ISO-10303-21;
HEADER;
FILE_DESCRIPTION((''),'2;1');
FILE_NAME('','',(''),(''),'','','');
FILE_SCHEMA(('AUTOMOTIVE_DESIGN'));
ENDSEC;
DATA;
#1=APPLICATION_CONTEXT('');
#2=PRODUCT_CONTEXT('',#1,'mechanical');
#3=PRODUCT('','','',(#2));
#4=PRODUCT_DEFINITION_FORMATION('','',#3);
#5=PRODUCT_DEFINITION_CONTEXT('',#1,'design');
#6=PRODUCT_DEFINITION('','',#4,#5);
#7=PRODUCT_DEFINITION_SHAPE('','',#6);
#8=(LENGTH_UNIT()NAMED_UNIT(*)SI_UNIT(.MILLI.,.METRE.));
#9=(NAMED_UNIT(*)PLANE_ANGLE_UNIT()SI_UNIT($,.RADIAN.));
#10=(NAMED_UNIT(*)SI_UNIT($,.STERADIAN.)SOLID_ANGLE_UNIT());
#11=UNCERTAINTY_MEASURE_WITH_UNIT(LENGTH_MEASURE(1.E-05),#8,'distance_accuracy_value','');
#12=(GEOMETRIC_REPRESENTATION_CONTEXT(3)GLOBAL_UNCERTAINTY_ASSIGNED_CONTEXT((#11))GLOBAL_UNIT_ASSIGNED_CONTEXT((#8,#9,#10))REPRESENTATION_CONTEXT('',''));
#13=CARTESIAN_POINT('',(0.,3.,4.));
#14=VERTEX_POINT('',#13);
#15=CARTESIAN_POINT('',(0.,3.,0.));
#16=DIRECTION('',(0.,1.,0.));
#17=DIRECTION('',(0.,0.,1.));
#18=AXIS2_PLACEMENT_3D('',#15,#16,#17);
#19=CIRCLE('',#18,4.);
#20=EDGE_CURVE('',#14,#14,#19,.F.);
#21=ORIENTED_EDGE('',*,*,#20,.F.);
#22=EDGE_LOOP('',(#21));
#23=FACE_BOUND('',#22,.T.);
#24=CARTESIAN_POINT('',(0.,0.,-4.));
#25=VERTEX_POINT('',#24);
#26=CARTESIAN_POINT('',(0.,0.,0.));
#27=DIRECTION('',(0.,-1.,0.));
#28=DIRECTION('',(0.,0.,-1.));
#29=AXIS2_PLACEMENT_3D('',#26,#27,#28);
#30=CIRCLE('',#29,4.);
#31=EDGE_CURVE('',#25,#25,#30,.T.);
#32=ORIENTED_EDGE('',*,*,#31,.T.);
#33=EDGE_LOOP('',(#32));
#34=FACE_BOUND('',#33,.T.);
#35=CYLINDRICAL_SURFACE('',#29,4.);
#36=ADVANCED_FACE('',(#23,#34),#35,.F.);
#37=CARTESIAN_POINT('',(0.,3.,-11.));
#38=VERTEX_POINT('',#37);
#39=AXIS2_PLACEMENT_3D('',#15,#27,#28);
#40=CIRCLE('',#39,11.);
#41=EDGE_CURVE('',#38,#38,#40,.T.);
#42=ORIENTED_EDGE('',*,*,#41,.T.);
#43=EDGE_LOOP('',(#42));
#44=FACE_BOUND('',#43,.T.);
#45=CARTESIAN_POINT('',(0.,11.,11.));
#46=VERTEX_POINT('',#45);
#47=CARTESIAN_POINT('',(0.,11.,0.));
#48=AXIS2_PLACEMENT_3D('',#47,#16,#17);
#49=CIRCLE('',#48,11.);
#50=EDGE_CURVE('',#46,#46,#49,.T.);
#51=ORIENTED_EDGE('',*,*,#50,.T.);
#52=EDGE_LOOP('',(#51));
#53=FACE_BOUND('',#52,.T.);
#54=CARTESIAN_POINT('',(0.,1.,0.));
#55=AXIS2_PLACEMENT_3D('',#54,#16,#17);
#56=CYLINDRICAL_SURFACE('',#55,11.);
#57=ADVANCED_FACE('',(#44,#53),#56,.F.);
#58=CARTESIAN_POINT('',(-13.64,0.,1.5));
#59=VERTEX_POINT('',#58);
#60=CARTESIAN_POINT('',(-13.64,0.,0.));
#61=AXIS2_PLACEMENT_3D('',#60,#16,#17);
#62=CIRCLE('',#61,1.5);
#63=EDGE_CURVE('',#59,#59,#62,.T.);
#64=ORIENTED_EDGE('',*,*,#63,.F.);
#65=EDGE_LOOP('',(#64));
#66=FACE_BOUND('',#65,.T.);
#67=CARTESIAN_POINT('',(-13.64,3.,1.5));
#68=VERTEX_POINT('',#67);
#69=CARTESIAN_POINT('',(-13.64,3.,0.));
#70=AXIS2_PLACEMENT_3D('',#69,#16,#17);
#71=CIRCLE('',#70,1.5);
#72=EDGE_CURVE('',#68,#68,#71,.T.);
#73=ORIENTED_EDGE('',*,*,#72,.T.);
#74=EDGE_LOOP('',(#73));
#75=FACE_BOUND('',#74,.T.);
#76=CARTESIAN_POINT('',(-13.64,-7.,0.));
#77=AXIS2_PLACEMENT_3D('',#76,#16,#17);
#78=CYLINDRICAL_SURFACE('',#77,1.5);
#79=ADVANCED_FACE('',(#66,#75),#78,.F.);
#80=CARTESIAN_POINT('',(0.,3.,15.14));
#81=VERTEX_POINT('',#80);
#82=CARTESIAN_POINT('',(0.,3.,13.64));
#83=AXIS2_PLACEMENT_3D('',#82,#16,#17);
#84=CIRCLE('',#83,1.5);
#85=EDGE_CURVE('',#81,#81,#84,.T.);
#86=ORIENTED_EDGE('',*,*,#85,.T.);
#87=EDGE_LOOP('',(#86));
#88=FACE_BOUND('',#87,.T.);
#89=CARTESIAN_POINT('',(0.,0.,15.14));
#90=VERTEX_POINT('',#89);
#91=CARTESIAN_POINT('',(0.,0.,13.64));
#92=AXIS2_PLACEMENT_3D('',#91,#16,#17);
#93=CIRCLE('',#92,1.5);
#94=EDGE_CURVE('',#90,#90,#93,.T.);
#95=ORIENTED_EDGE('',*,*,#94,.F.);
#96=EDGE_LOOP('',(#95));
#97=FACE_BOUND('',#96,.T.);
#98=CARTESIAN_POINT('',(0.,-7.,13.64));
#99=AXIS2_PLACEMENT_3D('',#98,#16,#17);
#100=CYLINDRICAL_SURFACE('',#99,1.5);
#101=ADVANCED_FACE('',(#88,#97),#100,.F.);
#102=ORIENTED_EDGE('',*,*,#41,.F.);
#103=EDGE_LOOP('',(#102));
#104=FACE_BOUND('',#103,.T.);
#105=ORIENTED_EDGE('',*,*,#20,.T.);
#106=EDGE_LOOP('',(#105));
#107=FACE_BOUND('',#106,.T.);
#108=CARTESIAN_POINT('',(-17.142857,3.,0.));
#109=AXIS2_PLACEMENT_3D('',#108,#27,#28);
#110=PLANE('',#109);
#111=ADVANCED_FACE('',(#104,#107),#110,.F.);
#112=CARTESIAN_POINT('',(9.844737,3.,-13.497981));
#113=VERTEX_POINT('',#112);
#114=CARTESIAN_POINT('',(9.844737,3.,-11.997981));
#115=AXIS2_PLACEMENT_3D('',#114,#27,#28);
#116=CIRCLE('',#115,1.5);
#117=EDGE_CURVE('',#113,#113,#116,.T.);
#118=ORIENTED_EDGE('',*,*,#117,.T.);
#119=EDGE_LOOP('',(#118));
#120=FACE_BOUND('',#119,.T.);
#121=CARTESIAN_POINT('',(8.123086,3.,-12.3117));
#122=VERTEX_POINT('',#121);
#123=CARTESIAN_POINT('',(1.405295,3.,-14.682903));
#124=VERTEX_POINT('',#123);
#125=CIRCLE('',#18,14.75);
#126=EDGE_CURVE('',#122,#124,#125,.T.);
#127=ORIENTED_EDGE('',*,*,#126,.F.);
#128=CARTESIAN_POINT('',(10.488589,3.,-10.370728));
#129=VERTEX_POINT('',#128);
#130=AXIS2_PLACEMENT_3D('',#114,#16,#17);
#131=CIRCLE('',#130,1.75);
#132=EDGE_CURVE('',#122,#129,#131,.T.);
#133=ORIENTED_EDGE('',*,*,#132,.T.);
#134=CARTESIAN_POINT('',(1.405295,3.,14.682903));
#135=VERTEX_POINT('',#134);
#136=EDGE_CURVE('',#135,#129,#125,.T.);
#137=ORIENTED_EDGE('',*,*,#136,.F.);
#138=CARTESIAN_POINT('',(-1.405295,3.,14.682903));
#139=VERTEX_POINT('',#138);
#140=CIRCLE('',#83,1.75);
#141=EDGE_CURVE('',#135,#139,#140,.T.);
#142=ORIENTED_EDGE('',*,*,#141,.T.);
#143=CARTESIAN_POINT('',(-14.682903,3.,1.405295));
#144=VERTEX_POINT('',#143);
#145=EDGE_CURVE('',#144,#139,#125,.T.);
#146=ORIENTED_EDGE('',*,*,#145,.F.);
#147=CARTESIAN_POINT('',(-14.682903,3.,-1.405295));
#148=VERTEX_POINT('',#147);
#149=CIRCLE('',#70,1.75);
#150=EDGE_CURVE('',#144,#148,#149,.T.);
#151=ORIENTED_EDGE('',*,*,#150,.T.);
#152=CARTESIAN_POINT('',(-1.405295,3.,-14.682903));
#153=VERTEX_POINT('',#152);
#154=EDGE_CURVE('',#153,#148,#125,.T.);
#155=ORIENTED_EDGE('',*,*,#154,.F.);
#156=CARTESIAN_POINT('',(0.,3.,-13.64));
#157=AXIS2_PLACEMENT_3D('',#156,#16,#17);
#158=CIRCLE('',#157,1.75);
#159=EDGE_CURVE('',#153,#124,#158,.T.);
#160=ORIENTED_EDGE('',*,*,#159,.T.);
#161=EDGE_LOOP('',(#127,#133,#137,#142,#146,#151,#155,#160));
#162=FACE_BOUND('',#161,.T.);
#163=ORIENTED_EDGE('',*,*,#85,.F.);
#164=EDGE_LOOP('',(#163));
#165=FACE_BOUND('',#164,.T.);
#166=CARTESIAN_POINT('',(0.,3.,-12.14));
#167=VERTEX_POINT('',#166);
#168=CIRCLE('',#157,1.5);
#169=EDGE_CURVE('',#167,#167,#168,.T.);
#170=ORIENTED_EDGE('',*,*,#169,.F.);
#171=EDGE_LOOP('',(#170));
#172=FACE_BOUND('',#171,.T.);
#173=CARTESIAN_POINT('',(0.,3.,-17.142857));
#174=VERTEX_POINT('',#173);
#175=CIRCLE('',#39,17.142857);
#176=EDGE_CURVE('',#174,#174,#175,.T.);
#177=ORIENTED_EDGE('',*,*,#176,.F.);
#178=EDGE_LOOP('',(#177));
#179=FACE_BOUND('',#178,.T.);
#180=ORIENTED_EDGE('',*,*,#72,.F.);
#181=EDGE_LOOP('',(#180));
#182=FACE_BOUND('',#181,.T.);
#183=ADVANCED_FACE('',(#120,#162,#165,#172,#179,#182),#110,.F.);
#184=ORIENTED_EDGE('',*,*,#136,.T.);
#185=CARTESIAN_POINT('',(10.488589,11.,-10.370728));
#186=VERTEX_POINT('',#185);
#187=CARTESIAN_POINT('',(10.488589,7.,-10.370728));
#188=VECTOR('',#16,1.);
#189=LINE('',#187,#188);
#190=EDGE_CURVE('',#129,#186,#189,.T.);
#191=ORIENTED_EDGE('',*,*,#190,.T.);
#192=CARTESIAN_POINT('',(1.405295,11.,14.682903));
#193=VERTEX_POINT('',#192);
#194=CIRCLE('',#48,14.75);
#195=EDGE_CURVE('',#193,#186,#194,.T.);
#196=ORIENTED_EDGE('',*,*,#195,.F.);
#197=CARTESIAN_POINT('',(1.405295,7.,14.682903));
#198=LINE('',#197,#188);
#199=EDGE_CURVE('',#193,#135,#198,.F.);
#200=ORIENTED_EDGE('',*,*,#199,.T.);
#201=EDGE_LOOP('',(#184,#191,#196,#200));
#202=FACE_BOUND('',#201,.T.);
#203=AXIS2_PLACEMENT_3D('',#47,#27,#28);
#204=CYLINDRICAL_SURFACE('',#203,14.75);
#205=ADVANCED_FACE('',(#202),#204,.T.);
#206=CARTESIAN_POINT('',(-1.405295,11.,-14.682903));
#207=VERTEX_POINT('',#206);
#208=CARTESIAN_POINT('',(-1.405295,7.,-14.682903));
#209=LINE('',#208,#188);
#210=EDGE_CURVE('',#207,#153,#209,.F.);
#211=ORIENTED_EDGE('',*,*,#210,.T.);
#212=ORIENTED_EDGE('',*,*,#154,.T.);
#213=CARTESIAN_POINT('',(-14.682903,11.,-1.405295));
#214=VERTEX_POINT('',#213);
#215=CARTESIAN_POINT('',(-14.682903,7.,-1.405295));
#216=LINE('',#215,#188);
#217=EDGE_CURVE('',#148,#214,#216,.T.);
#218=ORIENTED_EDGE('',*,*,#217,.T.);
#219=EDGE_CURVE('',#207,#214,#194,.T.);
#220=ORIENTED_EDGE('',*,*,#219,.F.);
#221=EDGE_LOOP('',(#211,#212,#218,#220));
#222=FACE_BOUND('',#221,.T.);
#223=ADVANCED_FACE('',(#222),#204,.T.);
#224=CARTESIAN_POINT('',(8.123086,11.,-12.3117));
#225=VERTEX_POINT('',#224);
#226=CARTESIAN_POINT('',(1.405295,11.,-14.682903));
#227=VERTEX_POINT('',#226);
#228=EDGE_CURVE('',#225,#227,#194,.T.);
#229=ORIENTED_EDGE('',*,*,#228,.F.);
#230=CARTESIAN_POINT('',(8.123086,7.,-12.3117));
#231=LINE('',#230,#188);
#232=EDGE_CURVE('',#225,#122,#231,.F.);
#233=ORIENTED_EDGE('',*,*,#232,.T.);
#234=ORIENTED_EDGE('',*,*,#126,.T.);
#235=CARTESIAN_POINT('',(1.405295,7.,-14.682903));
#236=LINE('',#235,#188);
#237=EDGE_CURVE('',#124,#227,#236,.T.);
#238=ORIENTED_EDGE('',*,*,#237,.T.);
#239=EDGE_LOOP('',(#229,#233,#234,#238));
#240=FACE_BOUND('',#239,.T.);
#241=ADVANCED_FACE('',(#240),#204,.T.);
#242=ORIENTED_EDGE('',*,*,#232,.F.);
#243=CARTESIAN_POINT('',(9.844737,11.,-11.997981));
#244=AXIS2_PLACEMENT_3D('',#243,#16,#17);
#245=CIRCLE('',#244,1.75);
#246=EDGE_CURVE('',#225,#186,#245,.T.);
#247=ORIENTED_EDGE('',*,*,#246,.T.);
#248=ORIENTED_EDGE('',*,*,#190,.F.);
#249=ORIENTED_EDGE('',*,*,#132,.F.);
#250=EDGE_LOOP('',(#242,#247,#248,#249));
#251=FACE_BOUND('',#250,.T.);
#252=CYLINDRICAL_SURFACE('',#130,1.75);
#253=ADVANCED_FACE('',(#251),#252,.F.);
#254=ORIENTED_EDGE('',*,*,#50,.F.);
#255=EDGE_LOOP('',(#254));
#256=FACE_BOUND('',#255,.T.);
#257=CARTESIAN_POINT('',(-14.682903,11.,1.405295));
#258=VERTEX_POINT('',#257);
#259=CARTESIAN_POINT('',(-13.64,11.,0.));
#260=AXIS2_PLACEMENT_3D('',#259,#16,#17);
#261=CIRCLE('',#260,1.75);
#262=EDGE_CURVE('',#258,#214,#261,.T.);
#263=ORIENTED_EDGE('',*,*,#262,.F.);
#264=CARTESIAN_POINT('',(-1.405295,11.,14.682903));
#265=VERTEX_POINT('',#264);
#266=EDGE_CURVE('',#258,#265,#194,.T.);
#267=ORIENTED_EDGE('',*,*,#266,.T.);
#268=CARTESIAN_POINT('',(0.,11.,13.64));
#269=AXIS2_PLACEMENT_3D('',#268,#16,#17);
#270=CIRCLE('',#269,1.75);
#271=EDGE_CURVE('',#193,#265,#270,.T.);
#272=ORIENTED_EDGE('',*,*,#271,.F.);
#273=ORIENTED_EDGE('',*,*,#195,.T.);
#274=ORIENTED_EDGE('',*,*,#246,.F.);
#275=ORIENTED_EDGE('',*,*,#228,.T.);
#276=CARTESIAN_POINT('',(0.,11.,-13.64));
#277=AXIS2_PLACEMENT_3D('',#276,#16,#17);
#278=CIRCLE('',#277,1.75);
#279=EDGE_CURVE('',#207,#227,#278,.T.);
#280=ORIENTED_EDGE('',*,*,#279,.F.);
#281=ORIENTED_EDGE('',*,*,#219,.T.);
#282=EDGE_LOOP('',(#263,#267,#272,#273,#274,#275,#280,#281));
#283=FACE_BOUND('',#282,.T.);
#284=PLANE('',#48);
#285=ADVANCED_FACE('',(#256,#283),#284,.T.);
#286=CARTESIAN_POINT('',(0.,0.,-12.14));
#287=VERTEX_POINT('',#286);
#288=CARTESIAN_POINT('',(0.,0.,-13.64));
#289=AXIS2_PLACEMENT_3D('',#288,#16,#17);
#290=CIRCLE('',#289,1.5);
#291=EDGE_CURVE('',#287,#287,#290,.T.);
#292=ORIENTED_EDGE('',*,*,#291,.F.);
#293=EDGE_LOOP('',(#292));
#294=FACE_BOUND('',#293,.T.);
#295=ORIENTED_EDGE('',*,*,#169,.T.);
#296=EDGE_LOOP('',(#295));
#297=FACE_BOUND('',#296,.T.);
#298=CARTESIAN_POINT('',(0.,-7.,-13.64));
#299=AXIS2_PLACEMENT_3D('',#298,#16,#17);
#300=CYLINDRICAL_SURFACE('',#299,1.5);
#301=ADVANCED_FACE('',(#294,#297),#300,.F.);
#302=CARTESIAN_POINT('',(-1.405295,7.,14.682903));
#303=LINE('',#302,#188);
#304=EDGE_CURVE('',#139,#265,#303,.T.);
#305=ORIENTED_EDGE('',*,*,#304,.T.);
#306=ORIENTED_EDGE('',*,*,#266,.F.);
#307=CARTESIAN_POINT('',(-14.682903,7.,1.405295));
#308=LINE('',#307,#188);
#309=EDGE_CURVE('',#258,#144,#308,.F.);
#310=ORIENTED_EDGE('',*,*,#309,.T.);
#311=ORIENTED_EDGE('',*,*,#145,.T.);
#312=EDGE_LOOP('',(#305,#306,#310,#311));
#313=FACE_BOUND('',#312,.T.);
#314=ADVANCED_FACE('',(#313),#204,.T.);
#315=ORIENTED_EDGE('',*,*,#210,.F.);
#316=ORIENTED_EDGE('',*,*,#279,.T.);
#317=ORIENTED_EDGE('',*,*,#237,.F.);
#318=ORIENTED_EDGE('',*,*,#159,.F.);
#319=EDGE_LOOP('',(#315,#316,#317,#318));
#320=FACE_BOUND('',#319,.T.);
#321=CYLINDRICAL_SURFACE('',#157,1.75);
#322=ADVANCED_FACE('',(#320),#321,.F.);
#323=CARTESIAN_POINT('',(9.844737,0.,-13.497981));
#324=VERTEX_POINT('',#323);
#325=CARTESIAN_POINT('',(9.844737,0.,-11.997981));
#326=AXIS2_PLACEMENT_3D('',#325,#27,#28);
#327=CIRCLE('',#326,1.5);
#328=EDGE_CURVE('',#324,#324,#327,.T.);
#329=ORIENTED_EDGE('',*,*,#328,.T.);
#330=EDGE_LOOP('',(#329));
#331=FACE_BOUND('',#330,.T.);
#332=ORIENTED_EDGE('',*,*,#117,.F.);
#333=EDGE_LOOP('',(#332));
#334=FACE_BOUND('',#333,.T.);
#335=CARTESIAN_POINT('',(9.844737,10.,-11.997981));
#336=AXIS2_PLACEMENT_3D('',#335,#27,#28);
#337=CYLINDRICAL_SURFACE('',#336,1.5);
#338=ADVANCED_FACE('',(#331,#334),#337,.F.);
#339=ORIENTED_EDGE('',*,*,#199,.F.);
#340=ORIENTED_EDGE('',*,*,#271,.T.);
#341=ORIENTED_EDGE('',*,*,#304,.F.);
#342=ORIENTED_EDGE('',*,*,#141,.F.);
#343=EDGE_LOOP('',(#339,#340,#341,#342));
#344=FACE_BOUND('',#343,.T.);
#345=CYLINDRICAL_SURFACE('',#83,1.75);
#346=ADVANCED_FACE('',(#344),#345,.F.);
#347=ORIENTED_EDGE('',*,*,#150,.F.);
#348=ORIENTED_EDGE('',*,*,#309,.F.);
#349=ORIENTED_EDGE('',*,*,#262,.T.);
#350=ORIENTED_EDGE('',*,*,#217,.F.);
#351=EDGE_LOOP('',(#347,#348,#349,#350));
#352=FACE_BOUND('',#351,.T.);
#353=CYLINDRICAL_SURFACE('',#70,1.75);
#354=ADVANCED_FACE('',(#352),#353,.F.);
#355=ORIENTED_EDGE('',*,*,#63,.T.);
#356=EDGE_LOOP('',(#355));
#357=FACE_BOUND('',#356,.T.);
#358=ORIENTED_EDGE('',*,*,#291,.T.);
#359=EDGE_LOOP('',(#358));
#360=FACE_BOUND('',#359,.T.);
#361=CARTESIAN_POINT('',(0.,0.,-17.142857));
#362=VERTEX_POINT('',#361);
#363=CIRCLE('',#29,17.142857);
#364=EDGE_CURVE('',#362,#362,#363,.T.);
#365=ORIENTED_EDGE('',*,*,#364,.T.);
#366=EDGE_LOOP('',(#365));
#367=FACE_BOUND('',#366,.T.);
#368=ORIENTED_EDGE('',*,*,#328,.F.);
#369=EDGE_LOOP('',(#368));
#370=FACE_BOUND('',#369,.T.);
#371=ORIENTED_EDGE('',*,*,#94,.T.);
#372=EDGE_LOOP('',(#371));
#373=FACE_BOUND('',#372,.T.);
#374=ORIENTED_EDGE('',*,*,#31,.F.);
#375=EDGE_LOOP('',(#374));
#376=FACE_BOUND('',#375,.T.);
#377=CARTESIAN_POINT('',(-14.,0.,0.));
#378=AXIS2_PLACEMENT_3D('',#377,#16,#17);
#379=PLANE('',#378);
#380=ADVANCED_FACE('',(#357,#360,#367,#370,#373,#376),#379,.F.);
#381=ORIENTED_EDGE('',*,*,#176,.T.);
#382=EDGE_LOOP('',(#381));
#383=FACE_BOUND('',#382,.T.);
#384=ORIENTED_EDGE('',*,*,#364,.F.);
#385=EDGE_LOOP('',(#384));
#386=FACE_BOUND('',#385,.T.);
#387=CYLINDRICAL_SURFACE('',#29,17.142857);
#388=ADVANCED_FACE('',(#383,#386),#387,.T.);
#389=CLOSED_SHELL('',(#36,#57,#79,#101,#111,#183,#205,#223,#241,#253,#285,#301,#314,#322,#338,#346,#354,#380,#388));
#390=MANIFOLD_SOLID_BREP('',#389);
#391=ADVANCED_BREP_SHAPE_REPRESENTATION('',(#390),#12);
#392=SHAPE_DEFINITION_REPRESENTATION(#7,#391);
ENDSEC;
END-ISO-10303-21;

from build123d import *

# Parameters (mm, degrees)
CROQUIS2_R                   = 1.5
CORTAR_EXTRUIR1_DEPTH        = 10
CROQUIS3_R                   = 1.5
SALIENTE_EXTRUIR1_DEPTH      = 3
CROQUIS4_R                   = 1.5
CORTAR_EXTRUIR2_DEPTH        = 10
SALIENTE_EXTRUIR2_DEPTH      = 4
SALIENTE_EXTRUIR2_DEPTH_BACK = 4
CROQUIS5_R                   = 14.75
CROQUIS5_R_2                 = 11.75
CORTAR_EXTRUIR3_START        = -12
CROQUIS6_R                   = 1.5
CORTAR_EXTRUIR3_DEPTH        = 12
CROQUIS8_R                   = 10.142857143
CORTAR_EXTRUIR4_DEPTH        = 9
CROQUIS9_R                   = 1.75
CORTAR_EXTRUIR6_DEPTH        = 8
CROQUIS10_R                  = 11.75
CROQUIS10_R_2                = 11.125
SALIENTE_EXTRUIR3_DEPTH      = 10
CROQUIS11_R                  = 11.125
CROQUIS11_R_2                = 11
SALIENTE_EXTRUIR4_DEPTH      = 10


with BuildPart() as part:
    # Croquis1 → Revolución1 (revolve)
    with BuildSketch(Plane.XY, mode=Mode.PRIVATE) as revoluci_n1_sk:
        Polygon((-4, 0), (-4, 7), (-5, 7), (-10.142857143, 3), (-17.142857143, 3), (-17.142857143, 0), (-14, 0), align=None)
    revolve(revoluci_n1_sk.sketch.rotate(Axis((0, 0, 0), (0, 1, 0)), 270), axis=Axis((0, 0, 0), (0, 1, 0)))

    # Croquis2 → Cortar-Extruir1 (cut)
    with BuildSketch(Plane(origin=(0, 3, 0), x_dir=(1, 0, 0), z_dir=(0, 1, 0))):
        with Locations(Location((0, 13.64, 0), (0, 0, 270))):
            Circle(CROQUIS2_R)
        with Locations(Location((13.64, 0, 0), (0, 0, 270))):
            Circle(CROQUIS2_R)
        with Locations(Location((0, -13.64, 0), (0, 0, 270))):
            Circle(CROQUIS2_R)
        with Locations(Location((-13.64, 0, 0), (0, 0, 270))):
            Circle(CROQUIS2_R)
    extrude(amount=-CORTAR_EXTRUIR1_DEPTH, mode=Mode.SUBTRACT)

    # Croquis3 → Saliente-Extruir1 (add)
    with BuildSketch(Plane(origin=(0, 3, 0), x_dir=(1, 0, 0), z_dir=(0, 1, 0))):
        with Locations((13.64, 0)):
            Circle(CROQUIS3_R)
    extrude(amount=-SALIENTE_EXTRUIR1_DEPTH)

    # Croquis4 → Cortar-Extruir2 (cut)
    with BuildSketch(Plane(origin=(0, 0, 0), x_dir=(-1, 0, 0), z_dir=(0, -1, 0))):
        with Locations(Location((-9.844736786, 11.997981397, 0), (0, 0, 90))):
            Circle(CROQUIS4_R)
    extrude(amount=-CORTAR_EXTRUIR2_DEPTH, mode=Mode.SUBTRACT)

    # Croquis5 → Saliente-Extruir2 (add, two sides: drawn at the far end of the back side and taken through both)
    with BuildSketch(Plane(origin=(0, 7, 0), x_dir=(1, 0, 0), z_dir=(0, 1, 0)).offset(-SALIENTE_EXTRUIR2_DEPTH_BACK)):
        with Locations(Location((0, 0, 0), (0, 0, 85.923723928))):
            Circle(CROQUIS5_R)
        with Locations(Location((0, 0, 0), (0, 0, 270))):
            Circle(CROQUIS5_R_2, mode=Mode.SUBTRACT)
    extrude(amount=SALIENTE_EXTRUIR2_DEPTH + SALIENTE_EXTRUIR2_DEPTH_BACK)

    # Croquis6 → Cortar-Extruir3 (cut)
    with BuildSketch(Plane(origin=(0, 0, 0), x_dir=(-1, 0, 0), z_dir=(0, -1, 0)).offset(CORTAR_EXTRUIR3_START)):
        with Locations(Location((13.64, 0, 0), (0, 0, 270))):
            Circle(CROQUIS6_R)
        with Locations(Location((0, -13.64, 0), (0, 0, 270))):
            Circle(CROQUIS6_R)
        with Locations(Location((-9.844736786, 11.997981397, 0), (0, 0, 90))):
            Circle(CROQUIS6_R)
        with Locations(Location((0, 13.64, 0), (0, 0, 270))):
            Circle(CROQUIS6_R)
    extrude(amount=CORTAR_EXTRUIR3_DEPTH, mode=Mode.SUBTRACT)

    # Croquis8 → Cortar-Extruir4 (cut)
    with BuildSketch(Plane(origin=(0, 3, 0), x_dir=(1, 0, 0), z_dir=(0, 1, 0))):
        Circle(CROQUIS8_R)
    extrude(amount=CORTAR_EXTRUIR4_DEPTH, mode=Mode.SUBTRACT)

    # Croquis9 → Cortar-Extruir6 (cut)
    with BuildSketch(Plane(origin=(0, 11, 0), x_dir=(1, 0, 0), z_dir=(0, 1, 0))):
        with Locations((9.844736786, 11.997981397)):
            Circle(CROQUIS9_R)
        with Locations((0, 13.64)):
            Circle(CROQUIS9_R)
        with Locations((-13.64, 0)):
            Circle(CROQUIS9_R)
        with Locations((0, -13.64)):
            Circle(CROQUIS9_R)
    extrude(amount=-CORTAR_EXTRUIR6_DEPTH, mode=Mode.SUBTRACT)

    # Croquis10 → Saliente-Extruir3 (add)
    with BuildSketch(Plane(origin=(0, 11, 0), x_dir=(1, 0, 0), z_dir=(0, 1, 0))):
        Circle(CROQUIS10_R)
        with Locations(Location((0, 0, 0), (0, 0, 270))):
            Circle(CROQUIS10_R_2, mode=Mode.SUBTRACT)
    extrude(amount=-SALIENTE_EXTRUIR3_DEPTH)

    # Croquis11 → Saliente-Extruir4 (add)
    with BuildSketch(Plane(origin=(0, 11, 0), x_dir=(1, 0, 0), z_dir=(0, 1, 0))):
        Circle(CROQUIS11_R)
        with Locations(Location((0, 0, 0), (0, 0, 270))):
            Circle(CROQUIS11_R_2, mode=Mode.SUBTRACT)
    extrude(amount=-SALIENTE_EXTRUIR4_DEPTH)


solid = part.part
